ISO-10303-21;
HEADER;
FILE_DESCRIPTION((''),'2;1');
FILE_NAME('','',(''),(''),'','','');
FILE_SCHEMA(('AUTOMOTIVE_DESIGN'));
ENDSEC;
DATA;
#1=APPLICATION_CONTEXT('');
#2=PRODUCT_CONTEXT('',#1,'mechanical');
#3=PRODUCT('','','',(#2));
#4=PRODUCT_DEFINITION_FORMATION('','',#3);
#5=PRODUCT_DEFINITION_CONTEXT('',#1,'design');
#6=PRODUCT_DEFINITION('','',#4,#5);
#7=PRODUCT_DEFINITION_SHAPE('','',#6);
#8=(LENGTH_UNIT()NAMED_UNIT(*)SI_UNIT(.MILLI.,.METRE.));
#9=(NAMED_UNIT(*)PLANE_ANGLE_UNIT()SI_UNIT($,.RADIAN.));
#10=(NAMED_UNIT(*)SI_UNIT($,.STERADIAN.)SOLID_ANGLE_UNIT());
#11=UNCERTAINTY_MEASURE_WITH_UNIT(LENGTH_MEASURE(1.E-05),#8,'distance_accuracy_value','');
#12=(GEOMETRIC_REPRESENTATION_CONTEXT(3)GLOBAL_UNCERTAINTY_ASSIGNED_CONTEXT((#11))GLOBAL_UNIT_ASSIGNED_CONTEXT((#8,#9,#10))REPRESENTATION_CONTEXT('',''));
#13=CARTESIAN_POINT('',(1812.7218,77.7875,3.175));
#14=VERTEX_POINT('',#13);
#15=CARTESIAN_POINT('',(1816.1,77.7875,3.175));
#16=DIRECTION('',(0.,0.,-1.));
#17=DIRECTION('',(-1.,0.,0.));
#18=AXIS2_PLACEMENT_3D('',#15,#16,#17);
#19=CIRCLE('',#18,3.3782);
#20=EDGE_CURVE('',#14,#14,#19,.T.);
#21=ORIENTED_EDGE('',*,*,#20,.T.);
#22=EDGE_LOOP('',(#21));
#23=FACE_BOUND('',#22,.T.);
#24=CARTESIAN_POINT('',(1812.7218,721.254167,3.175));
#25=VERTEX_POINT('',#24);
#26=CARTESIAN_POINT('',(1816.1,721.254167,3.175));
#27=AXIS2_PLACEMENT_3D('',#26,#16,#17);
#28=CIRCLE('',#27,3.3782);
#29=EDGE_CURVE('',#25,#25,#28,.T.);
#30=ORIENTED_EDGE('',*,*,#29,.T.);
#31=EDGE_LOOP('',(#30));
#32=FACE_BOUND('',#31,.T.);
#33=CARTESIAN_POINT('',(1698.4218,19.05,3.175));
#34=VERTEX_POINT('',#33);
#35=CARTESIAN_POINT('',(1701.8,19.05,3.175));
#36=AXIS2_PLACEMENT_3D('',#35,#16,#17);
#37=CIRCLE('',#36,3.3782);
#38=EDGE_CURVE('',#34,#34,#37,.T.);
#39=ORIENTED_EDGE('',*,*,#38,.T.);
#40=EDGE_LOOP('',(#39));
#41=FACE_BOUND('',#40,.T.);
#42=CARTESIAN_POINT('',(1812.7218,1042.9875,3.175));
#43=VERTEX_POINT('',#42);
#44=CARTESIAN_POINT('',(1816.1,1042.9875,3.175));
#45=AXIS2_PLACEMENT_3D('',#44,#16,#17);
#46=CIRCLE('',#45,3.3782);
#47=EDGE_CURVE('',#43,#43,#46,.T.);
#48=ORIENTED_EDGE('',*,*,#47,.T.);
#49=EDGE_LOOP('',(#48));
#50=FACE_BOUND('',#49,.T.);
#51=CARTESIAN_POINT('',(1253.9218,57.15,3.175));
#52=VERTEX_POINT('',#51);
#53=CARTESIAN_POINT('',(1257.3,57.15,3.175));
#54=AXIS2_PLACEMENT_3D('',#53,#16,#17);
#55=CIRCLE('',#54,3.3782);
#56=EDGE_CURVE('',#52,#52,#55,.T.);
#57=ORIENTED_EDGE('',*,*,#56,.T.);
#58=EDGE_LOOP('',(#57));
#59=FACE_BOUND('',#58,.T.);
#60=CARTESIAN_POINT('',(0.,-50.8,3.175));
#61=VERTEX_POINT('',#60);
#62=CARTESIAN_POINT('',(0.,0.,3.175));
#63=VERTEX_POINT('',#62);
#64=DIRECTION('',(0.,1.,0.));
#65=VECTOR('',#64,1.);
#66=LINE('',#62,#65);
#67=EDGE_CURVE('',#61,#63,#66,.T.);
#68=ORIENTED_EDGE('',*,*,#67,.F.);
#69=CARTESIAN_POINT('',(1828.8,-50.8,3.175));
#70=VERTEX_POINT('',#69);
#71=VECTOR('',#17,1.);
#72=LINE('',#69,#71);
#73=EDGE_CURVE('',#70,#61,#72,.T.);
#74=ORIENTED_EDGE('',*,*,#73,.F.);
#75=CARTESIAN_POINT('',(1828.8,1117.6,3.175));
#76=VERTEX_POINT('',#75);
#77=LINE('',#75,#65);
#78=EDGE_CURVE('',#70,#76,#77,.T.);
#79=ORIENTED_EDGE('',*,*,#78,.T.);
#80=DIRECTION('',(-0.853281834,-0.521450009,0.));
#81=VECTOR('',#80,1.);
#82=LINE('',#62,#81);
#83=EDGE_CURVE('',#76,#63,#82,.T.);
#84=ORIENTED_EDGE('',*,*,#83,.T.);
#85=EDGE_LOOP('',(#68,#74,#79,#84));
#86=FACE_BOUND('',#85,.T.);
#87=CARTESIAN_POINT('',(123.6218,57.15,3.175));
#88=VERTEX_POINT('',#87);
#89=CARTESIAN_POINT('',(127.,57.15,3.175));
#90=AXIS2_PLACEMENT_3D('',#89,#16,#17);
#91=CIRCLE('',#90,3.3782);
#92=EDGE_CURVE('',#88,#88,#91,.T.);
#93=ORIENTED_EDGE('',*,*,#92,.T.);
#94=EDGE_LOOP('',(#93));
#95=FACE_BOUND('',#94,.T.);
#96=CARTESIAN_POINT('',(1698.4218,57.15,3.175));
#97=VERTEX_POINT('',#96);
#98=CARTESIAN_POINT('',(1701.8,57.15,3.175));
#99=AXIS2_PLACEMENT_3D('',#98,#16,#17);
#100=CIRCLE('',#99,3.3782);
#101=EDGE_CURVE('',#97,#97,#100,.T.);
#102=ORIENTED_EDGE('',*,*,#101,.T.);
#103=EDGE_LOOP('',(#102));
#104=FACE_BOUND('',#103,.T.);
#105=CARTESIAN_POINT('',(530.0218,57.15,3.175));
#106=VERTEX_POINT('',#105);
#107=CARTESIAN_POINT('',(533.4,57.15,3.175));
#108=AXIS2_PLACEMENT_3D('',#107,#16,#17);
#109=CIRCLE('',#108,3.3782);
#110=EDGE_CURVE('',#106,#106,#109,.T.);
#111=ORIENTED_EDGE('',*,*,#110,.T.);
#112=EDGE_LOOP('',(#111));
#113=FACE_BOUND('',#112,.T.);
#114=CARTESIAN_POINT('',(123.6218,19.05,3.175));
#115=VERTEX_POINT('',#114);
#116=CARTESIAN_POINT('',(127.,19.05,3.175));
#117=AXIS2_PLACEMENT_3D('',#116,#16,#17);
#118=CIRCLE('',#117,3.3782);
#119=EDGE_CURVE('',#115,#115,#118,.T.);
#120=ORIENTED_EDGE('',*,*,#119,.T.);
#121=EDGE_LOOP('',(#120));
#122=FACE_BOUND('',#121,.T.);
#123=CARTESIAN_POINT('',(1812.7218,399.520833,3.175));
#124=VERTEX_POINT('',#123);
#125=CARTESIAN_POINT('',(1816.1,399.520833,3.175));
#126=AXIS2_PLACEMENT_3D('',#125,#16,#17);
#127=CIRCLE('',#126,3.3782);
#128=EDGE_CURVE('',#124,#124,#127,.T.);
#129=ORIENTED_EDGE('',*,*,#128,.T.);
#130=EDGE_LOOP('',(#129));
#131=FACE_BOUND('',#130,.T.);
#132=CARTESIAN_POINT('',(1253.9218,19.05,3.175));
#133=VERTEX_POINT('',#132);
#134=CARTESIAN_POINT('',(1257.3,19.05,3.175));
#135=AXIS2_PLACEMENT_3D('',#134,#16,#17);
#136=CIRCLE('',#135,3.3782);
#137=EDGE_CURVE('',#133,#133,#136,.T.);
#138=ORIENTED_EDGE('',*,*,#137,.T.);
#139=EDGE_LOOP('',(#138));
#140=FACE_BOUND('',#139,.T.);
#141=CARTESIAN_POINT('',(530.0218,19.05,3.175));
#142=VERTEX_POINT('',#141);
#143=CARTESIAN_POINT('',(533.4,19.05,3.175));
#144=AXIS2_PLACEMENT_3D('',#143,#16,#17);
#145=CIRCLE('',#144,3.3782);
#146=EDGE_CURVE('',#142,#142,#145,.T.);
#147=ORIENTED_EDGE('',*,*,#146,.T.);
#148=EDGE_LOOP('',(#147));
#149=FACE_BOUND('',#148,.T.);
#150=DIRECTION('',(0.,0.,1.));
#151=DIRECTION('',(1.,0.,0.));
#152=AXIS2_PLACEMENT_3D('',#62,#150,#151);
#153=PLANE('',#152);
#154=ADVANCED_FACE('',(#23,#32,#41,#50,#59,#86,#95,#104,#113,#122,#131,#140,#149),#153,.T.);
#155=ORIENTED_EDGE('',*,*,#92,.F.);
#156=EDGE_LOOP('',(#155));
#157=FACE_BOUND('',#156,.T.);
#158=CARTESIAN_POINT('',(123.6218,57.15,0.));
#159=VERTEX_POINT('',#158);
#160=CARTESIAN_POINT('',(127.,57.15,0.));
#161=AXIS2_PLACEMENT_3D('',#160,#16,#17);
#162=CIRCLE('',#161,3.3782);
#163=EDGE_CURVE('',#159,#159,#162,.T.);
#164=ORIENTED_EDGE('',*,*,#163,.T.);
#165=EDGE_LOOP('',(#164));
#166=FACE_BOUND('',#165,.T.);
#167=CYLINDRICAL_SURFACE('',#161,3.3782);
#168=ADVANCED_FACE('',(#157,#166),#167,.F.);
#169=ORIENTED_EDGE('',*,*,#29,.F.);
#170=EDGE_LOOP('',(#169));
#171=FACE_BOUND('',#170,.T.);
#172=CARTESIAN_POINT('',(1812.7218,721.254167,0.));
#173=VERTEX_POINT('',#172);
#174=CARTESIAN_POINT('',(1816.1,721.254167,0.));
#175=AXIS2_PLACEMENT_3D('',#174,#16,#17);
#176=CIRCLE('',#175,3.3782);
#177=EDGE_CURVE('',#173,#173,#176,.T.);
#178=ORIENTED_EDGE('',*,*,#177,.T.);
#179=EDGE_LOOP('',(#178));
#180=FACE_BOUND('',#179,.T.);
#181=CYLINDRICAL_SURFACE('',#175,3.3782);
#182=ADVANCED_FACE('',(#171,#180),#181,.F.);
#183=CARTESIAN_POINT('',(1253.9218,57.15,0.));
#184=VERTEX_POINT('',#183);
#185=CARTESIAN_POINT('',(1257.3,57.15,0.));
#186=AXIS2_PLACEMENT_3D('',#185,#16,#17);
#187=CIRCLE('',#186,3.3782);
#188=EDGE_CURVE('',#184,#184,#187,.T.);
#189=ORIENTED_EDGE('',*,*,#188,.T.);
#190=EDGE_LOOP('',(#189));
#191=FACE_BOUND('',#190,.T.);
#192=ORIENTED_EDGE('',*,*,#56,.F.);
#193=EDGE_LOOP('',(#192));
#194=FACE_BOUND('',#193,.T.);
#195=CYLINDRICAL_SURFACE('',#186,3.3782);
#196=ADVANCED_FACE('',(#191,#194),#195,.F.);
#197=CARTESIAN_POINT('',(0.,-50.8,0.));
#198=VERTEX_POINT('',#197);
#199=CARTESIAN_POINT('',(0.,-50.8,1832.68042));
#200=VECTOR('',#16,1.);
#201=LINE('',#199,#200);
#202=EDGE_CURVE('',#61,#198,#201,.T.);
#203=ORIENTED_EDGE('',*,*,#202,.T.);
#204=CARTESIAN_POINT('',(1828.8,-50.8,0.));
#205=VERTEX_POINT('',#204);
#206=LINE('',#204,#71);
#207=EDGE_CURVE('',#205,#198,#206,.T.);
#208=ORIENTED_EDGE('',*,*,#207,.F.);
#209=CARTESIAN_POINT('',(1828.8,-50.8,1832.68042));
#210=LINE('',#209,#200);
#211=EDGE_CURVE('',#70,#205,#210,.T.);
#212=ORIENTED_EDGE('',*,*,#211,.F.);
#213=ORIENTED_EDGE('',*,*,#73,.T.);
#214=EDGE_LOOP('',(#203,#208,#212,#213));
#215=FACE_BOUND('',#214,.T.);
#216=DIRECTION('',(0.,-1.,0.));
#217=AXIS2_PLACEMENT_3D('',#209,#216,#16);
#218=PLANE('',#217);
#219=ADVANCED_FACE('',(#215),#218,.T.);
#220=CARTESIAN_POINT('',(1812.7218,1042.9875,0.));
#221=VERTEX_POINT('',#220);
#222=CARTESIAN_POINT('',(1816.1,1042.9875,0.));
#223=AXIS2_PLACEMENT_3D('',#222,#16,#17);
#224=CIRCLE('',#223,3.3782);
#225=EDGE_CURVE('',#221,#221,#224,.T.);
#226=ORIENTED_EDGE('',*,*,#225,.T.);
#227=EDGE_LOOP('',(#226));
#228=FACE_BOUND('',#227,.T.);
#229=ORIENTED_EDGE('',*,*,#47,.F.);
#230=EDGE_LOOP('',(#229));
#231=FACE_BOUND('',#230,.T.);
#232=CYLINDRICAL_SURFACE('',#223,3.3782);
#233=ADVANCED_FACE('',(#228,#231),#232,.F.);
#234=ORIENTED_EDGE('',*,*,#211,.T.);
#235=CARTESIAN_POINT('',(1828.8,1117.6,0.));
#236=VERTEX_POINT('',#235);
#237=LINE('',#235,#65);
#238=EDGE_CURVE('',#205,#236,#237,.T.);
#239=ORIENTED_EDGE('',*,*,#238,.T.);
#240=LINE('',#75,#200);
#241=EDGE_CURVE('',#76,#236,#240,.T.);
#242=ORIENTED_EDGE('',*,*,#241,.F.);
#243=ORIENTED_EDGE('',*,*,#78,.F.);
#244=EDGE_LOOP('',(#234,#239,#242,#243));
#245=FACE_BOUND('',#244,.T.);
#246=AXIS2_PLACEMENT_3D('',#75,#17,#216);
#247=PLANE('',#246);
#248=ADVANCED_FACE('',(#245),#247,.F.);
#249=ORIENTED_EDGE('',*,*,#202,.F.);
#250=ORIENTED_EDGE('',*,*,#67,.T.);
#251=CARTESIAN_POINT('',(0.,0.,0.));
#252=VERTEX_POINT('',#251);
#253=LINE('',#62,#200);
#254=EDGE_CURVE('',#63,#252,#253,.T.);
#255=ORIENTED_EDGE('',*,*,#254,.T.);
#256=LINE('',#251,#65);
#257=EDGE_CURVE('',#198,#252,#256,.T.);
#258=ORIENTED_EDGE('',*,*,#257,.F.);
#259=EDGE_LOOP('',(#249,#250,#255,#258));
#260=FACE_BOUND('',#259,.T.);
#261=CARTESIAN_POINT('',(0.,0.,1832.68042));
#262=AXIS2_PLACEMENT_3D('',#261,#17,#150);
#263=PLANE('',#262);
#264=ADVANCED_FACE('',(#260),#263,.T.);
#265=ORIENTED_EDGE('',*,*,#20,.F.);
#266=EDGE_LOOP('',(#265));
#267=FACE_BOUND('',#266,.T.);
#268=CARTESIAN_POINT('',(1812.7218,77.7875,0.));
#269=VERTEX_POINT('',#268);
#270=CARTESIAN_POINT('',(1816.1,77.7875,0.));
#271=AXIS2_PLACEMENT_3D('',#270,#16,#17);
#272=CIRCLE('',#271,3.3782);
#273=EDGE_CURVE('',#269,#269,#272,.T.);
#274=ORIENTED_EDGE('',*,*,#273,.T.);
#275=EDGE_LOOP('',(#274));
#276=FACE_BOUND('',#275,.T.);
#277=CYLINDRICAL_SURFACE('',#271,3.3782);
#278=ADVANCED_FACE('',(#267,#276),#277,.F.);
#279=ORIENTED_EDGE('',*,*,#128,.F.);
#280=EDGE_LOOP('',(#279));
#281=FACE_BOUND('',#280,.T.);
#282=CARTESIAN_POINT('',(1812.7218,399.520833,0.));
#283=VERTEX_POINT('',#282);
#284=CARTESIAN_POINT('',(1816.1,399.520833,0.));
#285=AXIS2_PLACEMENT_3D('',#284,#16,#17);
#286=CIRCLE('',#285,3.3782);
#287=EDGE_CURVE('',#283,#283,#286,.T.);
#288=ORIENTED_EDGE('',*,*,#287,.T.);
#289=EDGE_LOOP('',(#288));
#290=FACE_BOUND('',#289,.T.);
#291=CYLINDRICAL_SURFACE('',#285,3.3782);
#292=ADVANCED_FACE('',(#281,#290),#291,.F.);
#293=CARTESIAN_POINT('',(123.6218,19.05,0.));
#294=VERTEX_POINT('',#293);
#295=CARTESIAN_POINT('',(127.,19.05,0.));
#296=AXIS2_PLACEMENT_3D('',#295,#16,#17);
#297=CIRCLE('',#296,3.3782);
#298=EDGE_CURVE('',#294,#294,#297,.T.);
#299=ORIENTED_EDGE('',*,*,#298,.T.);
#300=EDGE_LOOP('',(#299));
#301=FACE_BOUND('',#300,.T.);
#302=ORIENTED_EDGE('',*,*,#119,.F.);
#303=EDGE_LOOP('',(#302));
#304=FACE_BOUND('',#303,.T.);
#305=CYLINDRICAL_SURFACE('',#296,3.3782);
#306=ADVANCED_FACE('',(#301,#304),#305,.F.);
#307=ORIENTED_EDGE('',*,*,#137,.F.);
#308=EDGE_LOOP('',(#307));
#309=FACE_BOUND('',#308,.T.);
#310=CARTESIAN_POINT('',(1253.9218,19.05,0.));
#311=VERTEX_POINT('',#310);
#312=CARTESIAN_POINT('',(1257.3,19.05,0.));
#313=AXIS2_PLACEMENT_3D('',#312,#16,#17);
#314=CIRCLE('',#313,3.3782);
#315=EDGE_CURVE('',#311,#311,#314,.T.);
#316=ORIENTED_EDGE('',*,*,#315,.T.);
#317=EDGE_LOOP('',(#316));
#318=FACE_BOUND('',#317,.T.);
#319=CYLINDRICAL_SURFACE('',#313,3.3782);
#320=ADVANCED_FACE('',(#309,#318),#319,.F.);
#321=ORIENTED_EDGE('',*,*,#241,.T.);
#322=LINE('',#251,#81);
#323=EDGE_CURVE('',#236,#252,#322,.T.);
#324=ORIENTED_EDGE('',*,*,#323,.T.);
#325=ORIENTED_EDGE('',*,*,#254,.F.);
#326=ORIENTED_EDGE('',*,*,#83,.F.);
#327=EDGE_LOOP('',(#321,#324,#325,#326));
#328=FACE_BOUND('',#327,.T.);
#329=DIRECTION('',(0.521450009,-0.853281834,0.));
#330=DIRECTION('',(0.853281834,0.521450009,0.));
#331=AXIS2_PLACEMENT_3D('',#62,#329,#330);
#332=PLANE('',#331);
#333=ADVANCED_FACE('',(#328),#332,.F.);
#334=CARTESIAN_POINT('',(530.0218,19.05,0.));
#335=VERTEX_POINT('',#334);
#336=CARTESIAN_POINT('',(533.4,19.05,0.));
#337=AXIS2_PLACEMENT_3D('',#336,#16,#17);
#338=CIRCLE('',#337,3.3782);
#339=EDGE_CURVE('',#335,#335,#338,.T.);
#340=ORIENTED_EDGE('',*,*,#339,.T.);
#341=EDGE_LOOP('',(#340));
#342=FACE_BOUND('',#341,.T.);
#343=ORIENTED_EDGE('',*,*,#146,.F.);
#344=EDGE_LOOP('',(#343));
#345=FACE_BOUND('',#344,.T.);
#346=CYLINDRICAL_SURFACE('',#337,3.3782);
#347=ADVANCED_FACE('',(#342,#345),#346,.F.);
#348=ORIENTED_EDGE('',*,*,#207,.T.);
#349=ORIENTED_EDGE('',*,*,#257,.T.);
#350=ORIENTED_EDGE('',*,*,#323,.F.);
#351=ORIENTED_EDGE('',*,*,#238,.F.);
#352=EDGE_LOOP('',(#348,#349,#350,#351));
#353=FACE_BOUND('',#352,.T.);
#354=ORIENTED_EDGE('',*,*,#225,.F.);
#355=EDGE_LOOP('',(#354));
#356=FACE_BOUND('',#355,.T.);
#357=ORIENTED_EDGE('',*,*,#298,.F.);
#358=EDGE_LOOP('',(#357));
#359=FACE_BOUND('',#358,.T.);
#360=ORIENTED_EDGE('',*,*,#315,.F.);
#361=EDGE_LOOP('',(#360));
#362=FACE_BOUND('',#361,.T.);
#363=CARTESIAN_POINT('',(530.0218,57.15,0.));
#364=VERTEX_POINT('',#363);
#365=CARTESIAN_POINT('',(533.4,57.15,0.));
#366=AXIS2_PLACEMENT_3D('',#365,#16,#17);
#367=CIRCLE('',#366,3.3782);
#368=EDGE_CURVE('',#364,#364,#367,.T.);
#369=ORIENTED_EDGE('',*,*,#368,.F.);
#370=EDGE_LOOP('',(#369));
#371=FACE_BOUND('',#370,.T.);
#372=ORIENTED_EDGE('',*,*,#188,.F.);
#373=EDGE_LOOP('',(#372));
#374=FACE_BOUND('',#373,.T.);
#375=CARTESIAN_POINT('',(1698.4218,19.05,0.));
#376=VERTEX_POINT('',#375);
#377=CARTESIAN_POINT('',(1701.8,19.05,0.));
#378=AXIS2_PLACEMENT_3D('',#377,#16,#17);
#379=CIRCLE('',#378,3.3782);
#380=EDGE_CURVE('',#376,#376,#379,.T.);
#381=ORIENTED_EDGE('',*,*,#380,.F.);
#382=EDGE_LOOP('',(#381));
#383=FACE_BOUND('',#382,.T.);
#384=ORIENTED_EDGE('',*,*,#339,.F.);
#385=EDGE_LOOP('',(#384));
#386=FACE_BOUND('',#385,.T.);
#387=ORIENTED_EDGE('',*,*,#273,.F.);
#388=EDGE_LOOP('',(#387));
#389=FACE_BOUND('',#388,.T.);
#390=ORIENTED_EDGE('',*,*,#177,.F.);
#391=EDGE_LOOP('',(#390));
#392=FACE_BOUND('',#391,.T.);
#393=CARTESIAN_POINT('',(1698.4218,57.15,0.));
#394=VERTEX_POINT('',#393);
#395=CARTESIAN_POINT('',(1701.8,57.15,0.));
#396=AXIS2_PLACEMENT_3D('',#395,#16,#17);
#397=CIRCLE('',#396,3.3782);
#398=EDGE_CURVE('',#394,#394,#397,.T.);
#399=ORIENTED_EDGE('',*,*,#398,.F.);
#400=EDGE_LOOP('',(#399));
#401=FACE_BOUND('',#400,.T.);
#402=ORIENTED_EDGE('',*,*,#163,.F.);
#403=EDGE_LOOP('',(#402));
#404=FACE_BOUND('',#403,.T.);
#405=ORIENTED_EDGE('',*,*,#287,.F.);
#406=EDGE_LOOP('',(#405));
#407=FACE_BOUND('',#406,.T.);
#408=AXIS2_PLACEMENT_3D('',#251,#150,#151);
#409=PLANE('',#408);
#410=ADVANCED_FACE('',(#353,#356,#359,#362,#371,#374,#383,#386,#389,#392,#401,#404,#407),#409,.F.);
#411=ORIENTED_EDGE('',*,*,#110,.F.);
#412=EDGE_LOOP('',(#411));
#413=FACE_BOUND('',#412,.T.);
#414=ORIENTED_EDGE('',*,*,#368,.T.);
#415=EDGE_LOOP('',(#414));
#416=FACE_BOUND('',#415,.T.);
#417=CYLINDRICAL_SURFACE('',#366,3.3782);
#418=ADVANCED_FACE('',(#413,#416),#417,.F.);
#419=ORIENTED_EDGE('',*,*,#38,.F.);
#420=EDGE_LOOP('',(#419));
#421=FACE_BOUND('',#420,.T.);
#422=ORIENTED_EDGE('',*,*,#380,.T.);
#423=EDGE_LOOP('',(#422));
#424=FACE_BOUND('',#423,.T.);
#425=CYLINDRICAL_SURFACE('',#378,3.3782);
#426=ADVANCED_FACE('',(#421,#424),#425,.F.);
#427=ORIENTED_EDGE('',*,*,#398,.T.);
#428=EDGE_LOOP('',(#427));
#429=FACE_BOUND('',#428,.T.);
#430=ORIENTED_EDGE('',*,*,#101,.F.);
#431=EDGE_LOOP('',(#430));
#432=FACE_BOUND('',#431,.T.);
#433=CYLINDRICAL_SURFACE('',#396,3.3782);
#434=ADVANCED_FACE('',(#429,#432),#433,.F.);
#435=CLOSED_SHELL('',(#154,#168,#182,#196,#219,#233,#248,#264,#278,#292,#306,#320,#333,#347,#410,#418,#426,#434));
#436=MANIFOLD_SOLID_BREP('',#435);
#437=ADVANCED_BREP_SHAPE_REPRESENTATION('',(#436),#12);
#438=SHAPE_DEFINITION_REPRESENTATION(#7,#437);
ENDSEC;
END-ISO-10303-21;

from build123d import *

# Parameters (mm, degrees)
BOSS_EXTRUDE1_DEPTH     = 3.175
F_1_4_CLEARANCE_HOLE1_D = 6.7564
SKETCH7_W               = 1828.8
SKETCH7_H               = 50.8
BOSS_EXTRUDE3_DEPTH     = 3.175


with BuildPart() as part:
    # Sketch1 → Boss-Extrude1 (new body)
    with BuildSketch(Plane.XY):
        Polygon((0, 0), (1828.8, 1117.6), (1828.8, 0), align=None)
    extrude(amount=BOSS_EXTRUDE1_DEPTH)

    # 1/4 Clearance Hole1 (through all)
    with Locations(Plane(origin=(0, 0, 0), x_dir=(-1, 0, 0), z_dir=(0, 0, -1))):
        with Locations((-1816.1, 77.7875), (-1816.1, 399.520833333), (-1816.1, 721.254166667), (-1816.1, 1042.9875), (-1701.8, 19.05), (-1701.8, 57.15), (-1257.3, 57.15), (-1257.3, 19.05), (-533.4, 57.15), (-533.4, 19.05), (-127, 57.15), (-127, 19.05)):
            Hole(F_1_4_CLEARANCE_HOLE1_D / 2)

    # Sketch7 → Boss-Extrude3 (add)
    with BuildSketch(Plane(origin=(0, 0, 0), x_dir=(-1, 0, 0), z_dir=(0, 0, -1))):
        with Locations((-914.4, -25.4)):
            Rectangle(SKETCH7_W, SKETCH7_H)
    extrude(amount=-BOSS_EXTRUDE3_DEPTH)


solid = part.part
